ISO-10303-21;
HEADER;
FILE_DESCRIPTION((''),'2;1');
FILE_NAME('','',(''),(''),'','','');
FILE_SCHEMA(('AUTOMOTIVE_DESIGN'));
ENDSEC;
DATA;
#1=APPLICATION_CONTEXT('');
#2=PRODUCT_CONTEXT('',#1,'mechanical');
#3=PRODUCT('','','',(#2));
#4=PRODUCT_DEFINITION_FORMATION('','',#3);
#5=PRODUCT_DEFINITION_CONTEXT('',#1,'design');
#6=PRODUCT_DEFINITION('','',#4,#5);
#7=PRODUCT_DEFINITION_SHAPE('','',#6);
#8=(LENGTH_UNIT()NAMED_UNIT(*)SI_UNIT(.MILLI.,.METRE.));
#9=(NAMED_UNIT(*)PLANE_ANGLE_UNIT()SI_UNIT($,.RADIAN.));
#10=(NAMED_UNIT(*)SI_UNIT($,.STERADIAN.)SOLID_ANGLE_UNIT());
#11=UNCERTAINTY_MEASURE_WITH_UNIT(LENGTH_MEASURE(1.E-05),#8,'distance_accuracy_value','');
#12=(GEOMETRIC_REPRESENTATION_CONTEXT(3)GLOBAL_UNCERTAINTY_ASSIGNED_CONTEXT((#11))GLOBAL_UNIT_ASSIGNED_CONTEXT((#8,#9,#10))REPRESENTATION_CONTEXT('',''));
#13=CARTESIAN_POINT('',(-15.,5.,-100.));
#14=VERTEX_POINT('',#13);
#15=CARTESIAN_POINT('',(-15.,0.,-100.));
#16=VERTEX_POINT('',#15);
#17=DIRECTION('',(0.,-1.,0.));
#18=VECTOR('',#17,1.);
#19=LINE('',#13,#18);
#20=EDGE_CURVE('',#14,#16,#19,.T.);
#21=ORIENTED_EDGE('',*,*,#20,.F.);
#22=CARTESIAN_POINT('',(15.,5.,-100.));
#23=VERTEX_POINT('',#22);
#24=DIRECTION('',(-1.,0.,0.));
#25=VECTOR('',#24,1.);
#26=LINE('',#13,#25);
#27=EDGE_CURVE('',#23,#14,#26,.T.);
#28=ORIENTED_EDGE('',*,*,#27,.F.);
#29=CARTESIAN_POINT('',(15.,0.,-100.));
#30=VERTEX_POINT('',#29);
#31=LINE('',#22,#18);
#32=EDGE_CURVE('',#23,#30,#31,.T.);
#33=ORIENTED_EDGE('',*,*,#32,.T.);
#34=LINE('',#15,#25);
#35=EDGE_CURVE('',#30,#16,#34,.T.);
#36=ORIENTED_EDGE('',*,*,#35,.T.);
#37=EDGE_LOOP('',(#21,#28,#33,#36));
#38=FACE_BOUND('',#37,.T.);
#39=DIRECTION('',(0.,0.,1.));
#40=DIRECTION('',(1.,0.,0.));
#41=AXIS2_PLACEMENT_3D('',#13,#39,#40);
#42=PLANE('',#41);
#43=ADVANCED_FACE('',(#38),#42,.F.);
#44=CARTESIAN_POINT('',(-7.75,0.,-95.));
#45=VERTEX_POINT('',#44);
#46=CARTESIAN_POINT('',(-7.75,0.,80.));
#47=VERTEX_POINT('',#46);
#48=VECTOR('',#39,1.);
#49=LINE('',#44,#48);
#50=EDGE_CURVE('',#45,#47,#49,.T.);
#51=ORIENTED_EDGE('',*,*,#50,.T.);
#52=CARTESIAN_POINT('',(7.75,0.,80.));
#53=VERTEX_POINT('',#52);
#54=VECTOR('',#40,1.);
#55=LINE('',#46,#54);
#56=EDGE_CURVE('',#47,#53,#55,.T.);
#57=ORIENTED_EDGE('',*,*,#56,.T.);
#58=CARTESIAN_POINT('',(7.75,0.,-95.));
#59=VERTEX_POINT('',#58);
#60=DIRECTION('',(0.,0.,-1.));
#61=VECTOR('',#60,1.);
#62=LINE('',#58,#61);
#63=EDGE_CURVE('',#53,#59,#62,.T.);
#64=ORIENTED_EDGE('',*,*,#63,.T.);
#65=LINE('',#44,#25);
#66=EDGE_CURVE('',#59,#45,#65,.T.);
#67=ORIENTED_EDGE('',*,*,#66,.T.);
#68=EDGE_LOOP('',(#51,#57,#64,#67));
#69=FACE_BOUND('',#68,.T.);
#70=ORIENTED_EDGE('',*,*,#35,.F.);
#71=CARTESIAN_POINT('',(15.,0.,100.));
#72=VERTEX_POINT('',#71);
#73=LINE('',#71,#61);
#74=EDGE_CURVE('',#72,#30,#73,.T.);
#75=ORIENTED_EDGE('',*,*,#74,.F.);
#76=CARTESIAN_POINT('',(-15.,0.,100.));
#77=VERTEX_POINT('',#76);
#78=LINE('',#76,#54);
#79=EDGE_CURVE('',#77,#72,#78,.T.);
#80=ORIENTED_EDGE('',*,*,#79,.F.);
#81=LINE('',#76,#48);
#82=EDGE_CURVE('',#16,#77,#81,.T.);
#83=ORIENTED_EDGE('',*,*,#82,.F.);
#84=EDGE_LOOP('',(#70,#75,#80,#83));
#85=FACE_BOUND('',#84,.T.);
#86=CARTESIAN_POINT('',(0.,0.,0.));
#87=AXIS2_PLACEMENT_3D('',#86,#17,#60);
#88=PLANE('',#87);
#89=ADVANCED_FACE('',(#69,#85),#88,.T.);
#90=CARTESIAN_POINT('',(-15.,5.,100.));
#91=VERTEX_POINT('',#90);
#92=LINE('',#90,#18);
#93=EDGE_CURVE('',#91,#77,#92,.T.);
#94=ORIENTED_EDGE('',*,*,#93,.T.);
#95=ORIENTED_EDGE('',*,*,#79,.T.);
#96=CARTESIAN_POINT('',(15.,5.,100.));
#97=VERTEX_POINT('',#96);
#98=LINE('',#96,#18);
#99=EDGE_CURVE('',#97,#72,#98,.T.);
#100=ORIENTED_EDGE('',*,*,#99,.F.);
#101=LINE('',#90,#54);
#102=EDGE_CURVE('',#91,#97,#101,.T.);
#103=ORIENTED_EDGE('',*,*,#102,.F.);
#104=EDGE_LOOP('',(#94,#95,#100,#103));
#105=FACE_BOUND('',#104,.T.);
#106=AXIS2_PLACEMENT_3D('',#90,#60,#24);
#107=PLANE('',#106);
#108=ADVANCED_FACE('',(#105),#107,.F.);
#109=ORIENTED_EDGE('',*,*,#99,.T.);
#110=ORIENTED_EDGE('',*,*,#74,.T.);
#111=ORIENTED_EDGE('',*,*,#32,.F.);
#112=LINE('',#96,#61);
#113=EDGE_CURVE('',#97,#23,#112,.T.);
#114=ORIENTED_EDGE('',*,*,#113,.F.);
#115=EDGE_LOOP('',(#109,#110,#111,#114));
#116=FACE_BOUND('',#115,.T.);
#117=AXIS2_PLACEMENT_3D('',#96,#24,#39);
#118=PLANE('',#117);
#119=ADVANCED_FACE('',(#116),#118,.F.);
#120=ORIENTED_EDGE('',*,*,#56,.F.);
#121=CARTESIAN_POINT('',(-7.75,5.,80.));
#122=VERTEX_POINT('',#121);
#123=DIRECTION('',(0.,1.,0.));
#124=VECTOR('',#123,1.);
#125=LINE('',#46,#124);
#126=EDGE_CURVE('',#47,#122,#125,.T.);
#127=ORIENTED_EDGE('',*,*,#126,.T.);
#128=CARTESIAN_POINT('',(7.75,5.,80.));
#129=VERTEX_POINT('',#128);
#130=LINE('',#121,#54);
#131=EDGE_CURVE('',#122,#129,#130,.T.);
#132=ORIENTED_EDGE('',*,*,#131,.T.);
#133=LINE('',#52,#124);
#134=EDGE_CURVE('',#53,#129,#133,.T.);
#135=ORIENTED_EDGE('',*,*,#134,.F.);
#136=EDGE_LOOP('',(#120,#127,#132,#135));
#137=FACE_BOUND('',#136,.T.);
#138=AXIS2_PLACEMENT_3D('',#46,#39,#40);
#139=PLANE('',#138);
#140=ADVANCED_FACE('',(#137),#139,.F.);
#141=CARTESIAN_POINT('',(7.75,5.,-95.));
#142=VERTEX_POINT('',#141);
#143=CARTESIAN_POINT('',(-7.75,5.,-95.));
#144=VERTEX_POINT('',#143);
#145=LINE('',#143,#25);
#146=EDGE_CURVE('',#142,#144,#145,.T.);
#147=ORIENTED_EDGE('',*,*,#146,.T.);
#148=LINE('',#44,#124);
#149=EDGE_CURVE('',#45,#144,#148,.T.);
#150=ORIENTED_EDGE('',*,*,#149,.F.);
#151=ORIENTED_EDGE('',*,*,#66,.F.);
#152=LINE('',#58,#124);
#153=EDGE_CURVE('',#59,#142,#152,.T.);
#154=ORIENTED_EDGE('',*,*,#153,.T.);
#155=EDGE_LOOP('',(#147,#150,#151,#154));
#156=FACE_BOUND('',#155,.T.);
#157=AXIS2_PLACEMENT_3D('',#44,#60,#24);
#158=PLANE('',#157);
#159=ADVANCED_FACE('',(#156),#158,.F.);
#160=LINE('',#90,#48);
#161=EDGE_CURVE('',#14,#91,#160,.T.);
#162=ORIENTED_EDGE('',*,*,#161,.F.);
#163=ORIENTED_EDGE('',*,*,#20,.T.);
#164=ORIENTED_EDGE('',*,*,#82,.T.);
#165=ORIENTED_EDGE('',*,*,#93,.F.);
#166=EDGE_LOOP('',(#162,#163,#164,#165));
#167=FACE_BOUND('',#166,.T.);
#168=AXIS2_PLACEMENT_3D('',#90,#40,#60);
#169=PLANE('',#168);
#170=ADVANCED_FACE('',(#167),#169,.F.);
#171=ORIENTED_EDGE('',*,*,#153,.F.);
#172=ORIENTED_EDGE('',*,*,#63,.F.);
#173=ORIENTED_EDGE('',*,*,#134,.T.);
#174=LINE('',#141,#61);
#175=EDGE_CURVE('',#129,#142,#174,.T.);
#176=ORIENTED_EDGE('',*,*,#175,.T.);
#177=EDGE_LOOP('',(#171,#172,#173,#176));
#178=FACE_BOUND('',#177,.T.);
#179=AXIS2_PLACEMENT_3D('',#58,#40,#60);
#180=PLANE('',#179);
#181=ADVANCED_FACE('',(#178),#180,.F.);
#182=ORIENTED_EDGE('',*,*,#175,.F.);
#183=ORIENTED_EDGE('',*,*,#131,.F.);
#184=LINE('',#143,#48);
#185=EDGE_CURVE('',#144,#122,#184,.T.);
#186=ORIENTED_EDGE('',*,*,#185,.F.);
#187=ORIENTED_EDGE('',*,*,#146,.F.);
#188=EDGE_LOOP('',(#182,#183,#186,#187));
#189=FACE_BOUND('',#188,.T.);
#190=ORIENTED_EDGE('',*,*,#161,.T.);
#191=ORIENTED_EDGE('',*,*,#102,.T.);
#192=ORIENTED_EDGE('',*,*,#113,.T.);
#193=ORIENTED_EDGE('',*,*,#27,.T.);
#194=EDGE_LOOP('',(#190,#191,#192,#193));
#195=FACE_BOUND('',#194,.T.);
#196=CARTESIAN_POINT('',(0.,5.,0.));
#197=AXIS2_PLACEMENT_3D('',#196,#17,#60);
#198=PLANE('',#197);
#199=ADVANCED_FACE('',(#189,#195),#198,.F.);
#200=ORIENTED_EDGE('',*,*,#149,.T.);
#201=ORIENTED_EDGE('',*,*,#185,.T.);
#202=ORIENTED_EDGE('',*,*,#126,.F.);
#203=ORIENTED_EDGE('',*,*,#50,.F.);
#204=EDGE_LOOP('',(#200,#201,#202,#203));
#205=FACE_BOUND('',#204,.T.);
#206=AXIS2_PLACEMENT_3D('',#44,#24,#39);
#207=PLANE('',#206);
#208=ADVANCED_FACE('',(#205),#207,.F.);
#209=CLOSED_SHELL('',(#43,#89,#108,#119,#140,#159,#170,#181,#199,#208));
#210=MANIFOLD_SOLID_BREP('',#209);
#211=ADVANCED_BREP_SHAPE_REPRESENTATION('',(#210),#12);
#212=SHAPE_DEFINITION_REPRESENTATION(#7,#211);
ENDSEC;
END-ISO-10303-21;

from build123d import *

# Parameters (mm, degrees)
ESBO_O1_W                = 30
ESBO_O1_H                = 200
RESSALTO_EXTRUS_O1_DEPTH = 5
ESBO_O2_W                = 15.5
ESBO_O2_H                = 175
CORTE_EXTRUS_O1_DEPTH    = 5


with BuildPart() as part:
    # Esboço1 → Ressalto-extrusão1 (new body)
    with BuildSketch(Plane(origin=(0, 0, 0), x_dir=(1, 0, 0), z_dir=(0, 1, 0))):
        Rectangle(ESBO_O1_W, ESBO_O1_H)
    extrude(amount=RESSALTO_EXTRUS_O1_DEPTH)

    # Esboço2 → Corte-extrusão1 (cut)
    with BuildSketch(Plane(origin=(0, 5, 0), x_dir=(1, 0, 0), z_dir=(0, 1, 0))):
        with Locations((0, 7.5)):
            Rectangle(ESBO_O2_W, ESBO_O2_H)
    extrude(amount=-CORTE_EXTRUS_O1_DEPTH, mode=Mode.SUBTRACT)


solid = part.part
